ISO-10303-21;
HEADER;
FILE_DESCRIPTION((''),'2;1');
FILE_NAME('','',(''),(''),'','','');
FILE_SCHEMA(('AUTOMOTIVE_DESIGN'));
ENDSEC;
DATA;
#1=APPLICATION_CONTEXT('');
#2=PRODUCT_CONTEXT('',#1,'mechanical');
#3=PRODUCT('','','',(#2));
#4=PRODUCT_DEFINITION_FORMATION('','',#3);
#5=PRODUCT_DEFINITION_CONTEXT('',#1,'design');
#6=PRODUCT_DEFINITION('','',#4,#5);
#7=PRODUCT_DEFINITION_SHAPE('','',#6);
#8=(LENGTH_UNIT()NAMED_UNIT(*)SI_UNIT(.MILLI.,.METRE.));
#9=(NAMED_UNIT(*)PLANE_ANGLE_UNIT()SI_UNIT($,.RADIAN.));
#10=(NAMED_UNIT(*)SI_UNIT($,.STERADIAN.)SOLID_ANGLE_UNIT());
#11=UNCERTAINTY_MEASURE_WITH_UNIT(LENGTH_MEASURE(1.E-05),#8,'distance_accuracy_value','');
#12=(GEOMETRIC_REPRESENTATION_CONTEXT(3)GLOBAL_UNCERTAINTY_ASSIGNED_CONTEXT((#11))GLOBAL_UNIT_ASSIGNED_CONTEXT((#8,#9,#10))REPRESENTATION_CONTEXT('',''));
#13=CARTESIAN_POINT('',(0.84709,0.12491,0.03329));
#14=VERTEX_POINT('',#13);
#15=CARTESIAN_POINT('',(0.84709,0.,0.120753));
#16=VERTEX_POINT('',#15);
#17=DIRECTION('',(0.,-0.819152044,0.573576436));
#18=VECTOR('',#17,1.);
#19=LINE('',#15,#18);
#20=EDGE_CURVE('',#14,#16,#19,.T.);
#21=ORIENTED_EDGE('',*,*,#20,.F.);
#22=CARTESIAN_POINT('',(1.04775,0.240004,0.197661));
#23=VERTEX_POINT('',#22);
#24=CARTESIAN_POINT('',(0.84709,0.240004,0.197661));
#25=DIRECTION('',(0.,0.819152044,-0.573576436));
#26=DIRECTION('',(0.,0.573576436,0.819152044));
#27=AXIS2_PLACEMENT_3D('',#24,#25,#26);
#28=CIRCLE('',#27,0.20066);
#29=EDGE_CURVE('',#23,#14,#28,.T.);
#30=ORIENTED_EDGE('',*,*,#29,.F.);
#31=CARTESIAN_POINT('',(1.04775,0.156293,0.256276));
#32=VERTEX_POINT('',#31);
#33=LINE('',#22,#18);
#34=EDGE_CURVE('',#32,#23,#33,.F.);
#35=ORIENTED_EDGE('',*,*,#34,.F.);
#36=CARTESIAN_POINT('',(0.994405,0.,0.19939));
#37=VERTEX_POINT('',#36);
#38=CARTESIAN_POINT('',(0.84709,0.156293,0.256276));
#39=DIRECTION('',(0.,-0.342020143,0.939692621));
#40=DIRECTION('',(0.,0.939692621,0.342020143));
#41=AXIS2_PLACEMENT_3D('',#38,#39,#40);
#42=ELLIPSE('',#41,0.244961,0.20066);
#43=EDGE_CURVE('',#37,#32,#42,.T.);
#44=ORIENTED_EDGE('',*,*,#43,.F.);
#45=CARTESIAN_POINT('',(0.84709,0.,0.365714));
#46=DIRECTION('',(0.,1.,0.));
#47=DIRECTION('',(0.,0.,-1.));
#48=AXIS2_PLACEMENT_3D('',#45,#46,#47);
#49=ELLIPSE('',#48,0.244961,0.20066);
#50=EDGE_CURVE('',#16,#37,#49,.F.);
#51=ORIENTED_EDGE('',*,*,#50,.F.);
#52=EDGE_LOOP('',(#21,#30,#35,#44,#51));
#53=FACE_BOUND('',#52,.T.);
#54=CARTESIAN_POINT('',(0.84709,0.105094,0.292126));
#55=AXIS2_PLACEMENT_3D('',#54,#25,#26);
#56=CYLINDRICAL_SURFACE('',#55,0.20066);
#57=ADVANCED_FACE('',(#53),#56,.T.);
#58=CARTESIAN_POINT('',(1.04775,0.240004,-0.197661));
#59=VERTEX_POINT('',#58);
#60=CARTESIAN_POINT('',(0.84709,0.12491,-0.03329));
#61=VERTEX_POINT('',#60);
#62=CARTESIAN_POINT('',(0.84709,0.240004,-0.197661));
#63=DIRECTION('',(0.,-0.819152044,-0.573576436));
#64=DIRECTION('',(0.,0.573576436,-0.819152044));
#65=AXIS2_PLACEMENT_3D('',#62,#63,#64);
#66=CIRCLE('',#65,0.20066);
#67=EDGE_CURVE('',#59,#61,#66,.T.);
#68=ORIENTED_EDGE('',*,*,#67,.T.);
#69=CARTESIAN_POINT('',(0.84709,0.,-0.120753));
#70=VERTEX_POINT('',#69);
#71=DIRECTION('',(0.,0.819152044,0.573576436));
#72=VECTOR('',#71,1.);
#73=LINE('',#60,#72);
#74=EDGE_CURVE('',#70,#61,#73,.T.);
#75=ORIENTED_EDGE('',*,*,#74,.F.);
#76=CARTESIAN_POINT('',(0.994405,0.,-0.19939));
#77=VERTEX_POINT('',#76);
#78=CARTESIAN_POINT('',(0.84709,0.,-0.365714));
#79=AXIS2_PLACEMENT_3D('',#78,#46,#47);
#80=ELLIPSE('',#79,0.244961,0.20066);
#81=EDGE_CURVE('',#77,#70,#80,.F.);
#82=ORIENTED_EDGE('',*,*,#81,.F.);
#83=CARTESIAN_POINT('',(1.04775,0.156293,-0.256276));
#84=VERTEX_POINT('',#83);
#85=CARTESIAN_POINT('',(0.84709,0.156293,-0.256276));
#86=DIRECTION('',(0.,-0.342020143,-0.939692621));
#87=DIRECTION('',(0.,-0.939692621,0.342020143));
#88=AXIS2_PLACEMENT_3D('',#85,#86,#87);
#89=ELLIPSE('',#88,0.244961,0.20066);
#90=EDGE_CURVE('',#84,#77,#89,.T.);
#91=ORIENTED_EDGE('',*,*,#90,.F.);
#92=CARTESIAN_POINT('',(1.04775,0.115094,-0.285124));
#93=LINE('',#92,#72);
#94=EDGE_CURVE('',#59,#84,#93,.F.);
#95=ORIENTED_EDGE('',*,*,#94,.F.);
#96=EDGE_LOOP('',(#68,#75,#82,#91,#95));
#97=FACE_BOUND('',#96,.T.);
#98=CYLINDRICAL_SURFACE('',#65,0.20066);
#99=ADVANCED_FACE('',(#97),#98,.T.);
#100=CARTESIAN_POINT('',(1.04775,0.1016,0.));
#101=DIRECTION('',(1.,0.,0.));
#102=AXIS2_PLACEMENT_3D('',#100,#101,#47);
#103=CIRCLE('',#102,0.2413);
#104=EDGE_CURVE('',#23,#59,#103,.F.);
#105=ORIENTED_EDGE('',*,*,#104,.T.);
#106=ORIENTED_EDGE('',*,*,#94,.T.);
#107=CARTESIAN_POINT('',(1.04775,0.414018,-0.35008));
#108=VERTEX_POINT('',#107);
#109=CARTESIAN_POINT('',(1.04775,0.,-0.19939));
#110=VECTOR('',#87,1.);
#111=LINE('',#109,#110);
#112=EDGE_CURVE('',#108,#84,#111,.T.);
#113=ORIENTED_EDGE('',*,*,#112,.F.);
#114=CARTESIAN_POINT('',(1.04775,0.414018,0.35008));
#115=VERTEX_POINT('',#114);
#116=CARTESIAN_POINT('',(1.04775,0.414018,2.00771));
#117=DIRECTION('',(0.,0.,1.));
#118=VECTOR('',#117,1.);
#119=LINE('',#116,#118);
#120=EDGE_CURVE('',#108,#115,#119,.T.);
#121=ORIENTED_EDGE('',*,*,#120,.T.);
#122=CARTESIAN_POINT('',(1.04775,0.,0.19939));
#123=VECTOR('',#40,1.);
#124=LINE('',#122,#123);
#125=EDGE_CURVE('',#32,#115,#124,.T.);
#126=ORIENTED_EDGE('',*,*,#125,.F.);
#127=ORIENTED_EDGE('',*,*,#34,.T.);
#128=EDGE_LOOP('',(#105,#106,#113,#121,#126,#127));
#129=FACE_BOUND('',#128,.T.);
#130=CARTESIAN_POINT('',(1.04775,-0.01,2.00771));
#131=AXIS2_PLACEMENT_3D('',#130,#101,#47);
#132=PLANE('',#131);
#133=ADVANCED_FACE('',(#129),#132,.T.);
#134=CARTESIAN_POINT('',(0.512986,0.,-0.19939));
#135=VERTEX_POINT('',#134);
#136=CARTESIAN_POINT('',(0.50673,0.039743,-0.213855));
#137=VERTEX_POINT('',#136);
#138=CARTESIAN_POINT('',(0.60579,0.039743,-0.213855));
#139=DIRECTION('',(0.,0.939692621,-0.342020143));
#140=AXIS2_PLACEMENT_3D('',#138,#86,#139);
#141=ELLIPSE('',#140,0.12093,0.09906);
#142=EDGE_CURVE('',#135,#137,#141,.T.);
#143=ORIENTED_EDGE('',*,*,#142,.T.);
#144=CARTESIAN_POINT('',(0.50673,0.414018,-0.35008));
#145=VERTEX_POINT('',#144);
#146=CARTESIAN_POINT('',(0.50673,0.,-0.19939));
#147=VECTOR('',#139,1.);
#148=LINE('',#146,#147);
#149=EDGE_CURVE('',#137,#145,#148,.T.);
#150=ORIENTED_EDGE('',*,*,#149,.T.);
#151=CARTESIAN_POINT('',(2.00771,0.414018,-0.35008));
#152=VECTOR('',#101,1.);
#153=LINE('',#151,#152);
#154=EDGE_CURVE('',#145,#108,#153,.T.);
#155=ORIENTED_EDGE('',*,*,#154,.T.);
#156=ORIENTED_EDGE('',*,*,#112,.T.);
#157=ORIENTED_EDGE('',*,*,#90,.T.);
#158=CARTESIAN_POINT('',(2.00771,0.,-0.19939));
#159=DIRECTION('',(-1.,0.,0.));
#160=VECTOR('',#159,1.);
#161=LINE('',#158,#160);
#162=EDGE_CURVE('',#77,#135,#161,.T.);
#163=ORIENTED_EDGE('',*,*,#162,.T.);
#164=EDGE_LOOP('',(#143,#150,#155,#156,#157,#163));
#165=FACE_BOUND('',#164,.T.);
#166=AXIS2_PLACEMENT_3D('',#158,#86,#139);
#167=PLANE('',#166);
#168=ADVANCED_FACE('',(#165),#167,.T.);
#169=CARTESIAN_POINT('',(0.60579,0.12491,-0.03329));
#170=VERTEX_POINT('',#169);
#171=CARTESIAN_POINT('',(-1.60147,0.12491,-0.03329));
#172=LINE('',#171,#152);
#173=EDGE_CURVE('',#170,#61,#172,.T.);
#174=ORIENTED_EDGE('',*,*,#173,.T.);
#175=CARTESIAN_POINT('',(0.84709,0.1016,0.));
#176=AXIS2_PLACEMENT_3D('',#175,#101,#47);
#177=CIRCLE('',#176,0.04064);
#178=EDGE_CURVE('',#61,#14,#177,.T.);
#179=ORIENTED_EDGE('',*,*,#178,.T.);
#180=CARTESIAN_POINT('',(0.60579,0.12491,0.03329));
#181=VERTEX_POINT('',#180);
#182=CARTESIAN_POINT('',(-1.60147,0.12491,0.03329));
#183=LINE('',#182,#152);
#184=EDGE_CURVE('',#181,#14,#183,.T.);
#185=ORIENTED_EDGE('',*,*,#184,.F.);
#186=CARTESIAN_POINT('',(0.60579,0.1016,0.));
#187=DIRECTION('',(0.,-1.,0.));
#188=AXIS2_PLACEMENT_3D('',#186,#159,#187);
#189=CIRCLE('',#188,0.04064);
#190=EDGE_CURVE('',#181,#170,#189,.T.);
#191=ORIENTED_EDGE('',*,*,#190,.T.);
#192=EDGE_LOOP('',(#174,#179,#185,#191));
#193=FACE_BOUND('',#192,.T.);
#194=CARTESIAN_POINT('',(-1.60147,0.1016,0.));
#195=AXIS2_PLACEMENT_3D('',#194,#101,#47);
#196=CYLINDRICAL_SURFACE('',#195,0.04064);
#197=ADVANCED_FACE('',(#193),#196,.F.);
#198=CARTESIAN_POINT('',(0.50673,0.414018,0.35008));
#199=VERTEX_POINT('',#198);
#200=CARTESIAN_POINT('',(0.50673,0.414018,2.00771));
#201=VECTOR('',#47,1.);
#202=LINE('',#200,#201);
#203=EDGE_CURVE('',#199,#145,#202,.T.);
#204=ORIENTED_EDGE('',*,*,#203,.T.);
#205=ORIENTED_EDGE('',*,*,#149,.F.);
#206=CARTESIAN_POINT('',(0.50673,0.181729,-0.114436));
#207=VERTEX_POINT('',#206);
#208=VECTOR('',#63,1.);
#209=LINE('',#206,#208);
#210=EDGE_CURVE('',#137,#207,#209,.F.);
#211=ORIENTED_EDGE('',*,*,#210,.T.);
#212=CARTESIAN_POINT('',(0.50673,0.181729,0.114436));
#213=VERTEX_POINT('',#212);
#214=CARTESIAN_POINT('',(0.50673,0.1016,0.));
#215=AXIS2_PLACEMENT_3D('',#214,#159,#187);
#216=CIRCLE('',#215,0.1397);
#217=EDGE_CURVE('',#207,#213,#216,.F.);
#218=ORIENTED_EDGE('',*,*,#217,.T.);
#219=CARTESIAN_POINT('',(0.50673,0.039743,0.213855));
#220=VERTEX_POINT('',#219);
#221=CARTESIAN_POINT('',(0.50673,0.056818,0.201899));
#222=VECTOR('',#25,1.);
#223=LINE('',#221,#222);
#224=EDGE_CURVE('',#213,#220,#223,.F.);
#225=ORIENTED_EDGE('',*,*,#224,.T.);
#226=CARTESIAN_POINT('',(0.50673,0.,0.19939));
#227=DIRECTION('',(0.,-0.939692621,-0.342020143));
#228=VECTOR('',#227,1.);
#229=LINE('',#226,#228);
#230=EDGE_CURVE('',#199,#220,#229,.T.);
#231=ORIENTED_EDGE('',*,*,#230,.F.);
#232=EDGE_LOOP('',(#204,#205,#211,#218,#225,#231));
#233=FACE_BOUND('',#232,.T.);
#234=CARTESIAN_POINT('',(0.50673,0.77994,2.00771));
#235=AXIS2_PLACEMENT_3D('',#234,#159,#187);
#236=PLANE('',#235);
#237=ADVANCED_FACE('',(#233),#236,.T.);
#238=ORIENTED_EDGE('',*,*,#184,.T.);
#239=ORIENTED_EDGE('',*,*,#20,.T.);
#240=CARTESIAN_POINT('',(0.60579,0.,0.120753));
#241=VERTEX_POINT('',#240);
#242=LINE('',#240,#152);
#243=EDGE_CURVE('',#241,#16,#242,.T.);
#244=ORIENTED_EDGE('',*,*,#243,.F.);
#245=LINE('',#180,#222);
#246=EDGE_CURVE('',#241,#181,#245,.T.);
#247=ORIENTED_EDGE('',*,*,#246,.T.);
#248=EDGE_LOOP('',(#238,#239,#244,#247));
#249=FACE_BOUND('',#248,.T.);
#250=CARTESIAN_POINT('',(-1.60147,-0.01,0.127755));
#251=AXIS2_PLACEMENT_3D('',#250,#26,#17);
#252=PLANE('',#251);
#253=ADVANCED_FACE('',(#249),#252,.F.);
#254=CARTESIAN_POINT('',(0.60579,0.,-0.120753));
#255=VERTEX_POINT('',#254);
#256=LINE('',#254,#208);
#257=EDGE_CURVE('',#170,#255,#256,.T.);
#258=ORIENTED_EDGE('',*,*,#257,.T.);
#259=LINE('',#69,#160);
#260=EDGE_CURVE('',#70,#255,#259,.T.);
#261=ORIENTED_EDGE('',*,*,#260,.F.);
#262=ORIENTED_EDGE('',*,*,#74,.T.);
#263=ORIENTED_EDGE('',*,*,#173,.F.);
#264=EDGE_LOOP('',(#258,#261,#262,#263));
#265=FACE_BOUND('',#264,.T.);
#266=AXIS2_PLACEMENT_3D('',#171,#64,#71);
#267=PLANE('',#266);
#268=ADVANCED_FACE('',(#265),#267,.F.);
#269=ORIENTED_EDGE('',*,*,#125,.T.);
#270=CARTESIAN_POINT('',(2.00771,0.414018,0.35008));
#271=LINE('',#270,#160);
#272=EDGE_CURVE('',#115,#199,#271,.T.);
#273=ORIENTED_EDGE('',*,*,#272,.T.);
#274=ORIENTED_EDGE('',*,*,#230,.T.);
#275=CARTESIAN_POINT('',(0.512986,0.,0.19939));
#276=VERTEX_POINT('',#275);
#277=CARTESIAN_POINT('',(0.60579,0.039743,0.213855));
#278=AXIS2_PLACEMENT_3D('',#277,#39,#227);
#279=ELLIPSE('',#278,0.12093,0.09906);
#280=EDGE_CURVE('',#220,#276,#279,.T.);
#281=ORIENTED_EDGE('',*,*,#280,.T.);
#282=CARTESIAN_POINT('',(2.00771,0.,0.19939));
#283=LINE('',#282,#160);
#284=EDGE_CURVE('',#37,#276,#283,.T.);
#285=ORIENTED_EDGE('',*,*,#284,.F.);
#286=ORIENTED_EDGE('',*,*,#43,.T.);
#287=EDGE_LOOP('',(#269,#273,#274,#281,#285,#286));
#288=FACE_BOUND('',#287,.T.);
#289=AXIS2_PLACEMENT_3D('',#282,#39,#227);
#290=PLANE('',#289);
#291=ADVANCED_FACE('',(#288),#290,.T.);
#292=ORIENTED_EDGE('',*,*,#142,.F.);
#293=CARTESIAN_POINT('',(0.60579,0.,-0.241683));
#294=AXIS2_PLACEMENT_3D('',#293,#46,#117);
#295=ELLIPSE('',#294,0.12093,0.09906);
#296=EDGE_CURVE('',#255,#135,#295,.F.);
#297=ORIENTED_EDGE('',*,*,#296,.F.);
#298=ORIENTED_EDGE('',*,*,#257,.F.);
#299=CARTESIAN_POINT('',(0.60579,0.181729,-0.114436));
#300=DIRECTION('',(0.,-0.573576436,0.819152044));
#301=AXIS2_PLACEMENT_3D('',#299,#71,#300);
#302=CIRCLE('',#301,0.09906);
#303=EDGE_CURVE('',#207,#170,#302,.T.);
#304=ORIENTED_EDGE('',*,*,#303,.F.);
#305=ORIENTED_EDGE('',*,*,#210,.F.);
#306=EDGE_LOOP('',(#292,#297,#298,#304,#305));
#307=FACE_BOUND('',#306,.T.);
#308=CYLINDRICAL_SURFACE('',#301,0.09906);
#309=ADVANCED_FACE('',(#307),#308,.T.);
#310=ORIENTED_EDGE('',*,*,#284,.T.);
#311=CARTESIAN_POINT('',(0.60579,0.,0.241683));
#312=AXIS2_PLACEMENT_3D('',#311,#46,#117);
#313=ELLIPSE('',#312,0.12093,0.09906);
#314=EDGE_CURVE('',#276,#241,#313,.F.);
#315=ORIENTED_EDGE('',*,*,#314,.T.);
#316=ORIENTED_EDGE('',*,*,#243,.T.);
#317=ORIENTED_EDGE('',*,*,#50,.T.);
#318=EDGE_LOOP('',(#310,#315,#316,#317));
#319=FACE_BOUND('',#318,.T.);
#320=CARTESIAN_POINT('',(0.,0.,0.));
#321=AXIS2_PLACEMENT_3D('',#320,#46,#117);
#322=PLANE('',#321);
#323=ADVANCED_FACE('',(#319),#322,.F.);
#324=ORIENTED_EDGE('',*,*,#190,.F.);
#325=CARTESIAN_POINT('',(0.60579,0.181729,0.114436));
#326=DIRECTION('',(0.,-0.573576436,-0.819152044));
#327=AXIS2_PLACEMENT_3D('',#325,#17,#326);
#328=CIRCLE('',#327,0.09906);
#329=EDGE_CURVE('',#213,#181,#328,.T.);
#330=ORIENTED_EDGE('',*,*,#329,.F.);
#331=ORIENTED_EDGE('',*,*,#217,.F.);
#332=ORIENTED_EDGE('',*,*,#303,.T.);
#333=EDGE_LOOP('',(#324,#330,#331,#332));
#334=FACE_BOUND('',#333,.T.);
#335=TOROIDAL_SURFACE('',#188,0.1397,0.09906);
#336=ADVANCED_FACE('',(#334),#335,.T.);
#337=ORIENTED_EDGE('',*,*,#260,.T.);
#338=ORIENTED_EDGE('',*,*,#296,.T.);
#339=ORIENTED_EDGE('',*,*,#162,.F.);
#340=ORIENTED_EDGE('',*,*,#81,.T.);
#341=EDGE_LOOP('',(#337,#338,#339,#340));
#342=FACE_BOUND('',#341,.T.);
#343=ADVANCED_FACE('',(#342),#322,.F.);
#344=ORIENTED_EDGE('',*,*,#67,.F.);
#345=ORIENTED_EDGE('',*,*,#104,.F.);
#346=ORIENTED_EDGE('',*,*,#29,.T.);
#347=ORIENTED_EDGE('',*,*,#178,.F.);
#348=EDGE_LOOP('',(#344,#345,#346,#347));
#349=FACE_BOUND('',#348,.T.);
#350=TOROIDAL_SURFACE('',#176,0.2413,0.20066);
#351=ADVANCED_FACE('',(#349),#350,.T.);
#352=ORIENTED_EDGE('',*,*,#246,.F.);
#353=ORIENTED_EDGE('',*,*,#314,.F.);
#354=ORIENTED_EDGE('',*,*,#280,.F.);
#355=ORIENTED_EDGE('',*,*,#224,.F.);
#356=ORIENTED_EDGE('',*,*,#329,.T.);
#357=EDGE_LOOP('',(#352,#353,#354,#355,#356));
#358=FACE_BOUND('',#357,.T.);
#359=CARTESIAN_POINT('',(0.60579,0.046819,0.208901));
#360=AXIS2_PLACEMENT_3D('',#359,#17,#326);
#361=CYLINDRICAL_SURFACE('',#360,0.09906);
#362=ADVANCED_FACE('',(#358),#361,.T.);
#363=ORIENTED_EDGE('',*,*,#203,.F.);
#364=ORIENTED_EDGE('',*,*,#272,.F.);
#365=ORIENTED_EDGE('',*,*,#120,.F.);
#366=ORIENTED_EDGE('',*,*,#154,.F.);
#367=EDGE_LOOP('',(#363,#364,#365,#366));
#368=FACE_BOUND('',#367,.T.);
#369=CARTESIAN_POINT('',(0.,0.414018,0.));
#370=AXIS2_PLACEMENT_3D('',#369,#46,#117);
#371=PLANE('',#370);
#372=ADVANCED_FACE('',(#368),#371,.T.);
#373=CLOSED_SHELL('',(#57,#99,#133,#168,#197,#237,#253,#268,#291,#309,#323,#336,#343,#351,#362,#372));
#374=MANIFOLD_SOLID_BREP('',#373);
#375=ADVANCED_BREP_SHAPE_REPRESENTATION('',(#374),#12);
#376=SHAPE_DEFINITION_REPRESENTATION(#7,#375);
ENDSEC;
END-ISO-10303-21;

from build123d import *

# Parameters (mm, degrees)
SKETCH_TL_CUTTING_R    = 1.99771
TL_CUTTING_DEPTH       = 29.999999944
SKETCH_TDF_CUTTING_W   = 4.01541996
SKETCH_TDF_CUTTING_H   = 4.01541996
TDF_CUTTING_DEPTH      = 31.132734478
VW_VR_GRINDING_DEPTH   = 2.00770998
VW_VR_GRINDING_2_DEPTH = 2.00770998
ISA_GRINDING_DEPTH     = 2.00770998
SKETCH_PRE_FRX_BRX_W   = 0.93996002
SKETCH_PRE_FRX_BRX_H   = 0.78994
SKETCH_PRE_FRX_BRX_W_2 = 2.52443996
PRE_FRX_BRX_DEPTH      = 2.00770998
FA_BA_GRINDING_DEPTH   = 2.00770998
BR_EDM_R               = 0.09906
FR_EDM_R               = 0.20066


with BuildPart() as part:
    # sketch_TL_cutting → TL_cutting (new body)
    with BuildSketch(Plane(origin=(0, 0, 0), x_dir=(1, 0, 0), z_dir=(0, 1, 0))):
        with Locations(Location((0, 0, 0), (0, 0, 270))):
            Circle(SKETCH_TL_CUTTING_R)
    extrude(amount=TL_CUTTING_DEPTH)

    # sketch_TDF_cutting → TDF_cutting (cut, through all)
    with BuildSketch(Plane(origin=(0, 0, 0), x_dir=(1, 0, 0), z_dir=(0, 1, 0))):
        with Locations((-3.60917998, 0)):
            Rectangle(SKETCH_TDF_CUTTING_W, SKETCH_TDF_CUTTING_H)
    extrude(amount=TDF_CUTTING_DEPTH, mode=Mode.SUBTRACT)


with BuildPart() as body_2:
    # sketch_VW_VR_grinding → VW_VR_grinding (new, symmetric)
    with BuildSketch(Plane(origin=(0, 0, 0), x_dir=(0, 0, -1), z_dir=(1, 0, 0))):
        with BuildLine():
            Line((-1.59004, -0.00999998), (-1.59004, 9.977757879))
            ThreePointArc((-1.59004, 9.977757879), (-1.591006547, 9.999895438), (-1.593898831, 10.021864517))
            Line((-1.593898831, 10.021864517), (-2.01770996, 12.425416869))
            Line((-2.01770996, 12.425416869), (-2.00770998, -0.00999998))
            Line((-2.00770998, -0.00999998), (-1.59004, -0.00999998))
        make_face()
    extrude(amount=VW_VR_GRINDING_DEPTH, both=True)


with BuildPart() as body_3:
    # sketch_VW_VR_grinding → VW_VR_grinding 2 (new, symmetric)
    with BuildSketch(Plane(origin=(0, 0, 0), x_dir=(0, 0, -1), z_dir=(1, 0, 0))):
        with BuildLine():
            Line((1.59004, -0.00999998), (1.59004, 9.977757879))
            ThreePointArc((1.59004, 9.977757879), (1.591006547, 9.999895438), (1.593898831, 10.021864517))
            Line((1.593898831, 10.021864517), (2.01770996, 12.425416869))
            Line((2.01770996, 12.425416869), (2.00770998, -0.00999998))
            Line((2.00770998, -0.00999998), (1.59004, -0.00999998))
        make_face()
    extrude(amount=VW_VR_GRINDING_2_DEPTH, both=True)


    add(body_2.part)  # ISA_grinding merges body 2
    # sketch_ISA_grinding → ISA_grinding (add, symmetric)
    with BuildSketch(Plane(origin=(0, 0, 0), x_dir=(0, 0, -1), z_dir=(1, 0, 0))):
        Polygon((-0.19939, 0), (0.19939, 0), (2.00770998, 4.968318312), (2.00770998, -0.02999994), (-2.00770998, -0.02999994), (-2.00770998, 4.968318312), align=None)
    extrude(amount=ISA_GRINDING_DEPTH, both=True)

    # sketch_pre_FRX_BRX → pre_FRX_BRX (add, symmetric)
    with BuildSketch(Plane.XY):
        with Locations((1.52772999, 0.38497002)):
            Rectangle(SKETCH_PRE_FRX_BRX_W, SKETCH_PRE_FRX_BRX_H)
        with Locations((-0.75548998, 0.38497002)):
            Rectangle(SKETCH_PRE_FRX_BRX_W_2, SKETCH_PRE_FRX_BRX_H)
    extrude(amount=PRE_FRX_BRX_DEPTH, both=True)

    # sketch_FA_BA_grinding → FA_BA_grinding (add, symmetric)
    with BuildSketch(Plane.XY):
        Polygon((1.04775, -0.00999998), (1.04775, 0.78994), (2.12471, 8.452908576), (2.12471, -0.00999998), align=None)
        Polygon((0.50673, -0.00999998), (0.50673, 0.78994), (-1.72847, 16.694214403), (-1.72847, -0.00999998), align=None)
    extrude(amount=FA_BA_GRINDING_DEPTH, both=True)


with BuildPart() as part_1:
    add(part.part)

    # B1_fix: cut body 3
    add(body_3.part, mode=Mode.SUBTRACT)

    # V-Groove_EDM: sweep along a path in sketch_contour_V-Groove
    with BuildLine(Plane.XY) as v_groove_edm_path:
        Line((-1.60147, 0.14224), (1.99771, 0.14224))
    # sketch_section_V-Groove → V-Groove_EDM (sweep, cut)
    with BuildSketch(Plane(origin=(-1.60147, 0, -1.2954), x_dir=(0, 0, -1), z_dir=(1, 0, 0))):
        with BuildLine():
            Line((-1.262109661, 0.124910146), (-1.167644573, -0.00999998))
            Line((-1.167644573, -0.00999998), (-1.423155427, -0.00999998))
            Line((-1.423155427, -0.00999998), (-1.328690339, 0.124910146))
            ThreePointArc((-1.328690339, 0.124910146), (-1.2954, 0.14224), (-1.262109661, 0.124910146))
        make_face()
    sweep(path=v_groove_edm_path.line, mode=Mode.SUBTRACT)

    # BR_EDM
    br_edm_edges = [part_1.edges().sort_by_distance(p)[0] for p in [
        (0.50673, 0.14224, 0),
        (0.50673, 0.062455073, -0.077021852),
        (0.50673, 0.062455073, 0.077021852),
    ]]
    fillet(br_edm_edges, radius=BR_EDM_R)

    # FR_EDM
    fr_edm_edges = [part_1.edges().sort_by_distance(p)[0] for p in [
        (1.04775, 0.062455073, -0.077021852),
        (1.04775, 0.062455073, 0.077021852),
        (1.04775, 0.14224, 0),
    ]]
    fillet(fr_edm_edges, radius=FR_EDM_R)

    # SurfaceCut1
    split(bisect_by=Plane(origin=(0, 0.41401793, 0), x_dir=(1, 0, 0), z_dir=(0, 1, 0)), keep=Keep.BOTTOM)


solid = part_1.part
